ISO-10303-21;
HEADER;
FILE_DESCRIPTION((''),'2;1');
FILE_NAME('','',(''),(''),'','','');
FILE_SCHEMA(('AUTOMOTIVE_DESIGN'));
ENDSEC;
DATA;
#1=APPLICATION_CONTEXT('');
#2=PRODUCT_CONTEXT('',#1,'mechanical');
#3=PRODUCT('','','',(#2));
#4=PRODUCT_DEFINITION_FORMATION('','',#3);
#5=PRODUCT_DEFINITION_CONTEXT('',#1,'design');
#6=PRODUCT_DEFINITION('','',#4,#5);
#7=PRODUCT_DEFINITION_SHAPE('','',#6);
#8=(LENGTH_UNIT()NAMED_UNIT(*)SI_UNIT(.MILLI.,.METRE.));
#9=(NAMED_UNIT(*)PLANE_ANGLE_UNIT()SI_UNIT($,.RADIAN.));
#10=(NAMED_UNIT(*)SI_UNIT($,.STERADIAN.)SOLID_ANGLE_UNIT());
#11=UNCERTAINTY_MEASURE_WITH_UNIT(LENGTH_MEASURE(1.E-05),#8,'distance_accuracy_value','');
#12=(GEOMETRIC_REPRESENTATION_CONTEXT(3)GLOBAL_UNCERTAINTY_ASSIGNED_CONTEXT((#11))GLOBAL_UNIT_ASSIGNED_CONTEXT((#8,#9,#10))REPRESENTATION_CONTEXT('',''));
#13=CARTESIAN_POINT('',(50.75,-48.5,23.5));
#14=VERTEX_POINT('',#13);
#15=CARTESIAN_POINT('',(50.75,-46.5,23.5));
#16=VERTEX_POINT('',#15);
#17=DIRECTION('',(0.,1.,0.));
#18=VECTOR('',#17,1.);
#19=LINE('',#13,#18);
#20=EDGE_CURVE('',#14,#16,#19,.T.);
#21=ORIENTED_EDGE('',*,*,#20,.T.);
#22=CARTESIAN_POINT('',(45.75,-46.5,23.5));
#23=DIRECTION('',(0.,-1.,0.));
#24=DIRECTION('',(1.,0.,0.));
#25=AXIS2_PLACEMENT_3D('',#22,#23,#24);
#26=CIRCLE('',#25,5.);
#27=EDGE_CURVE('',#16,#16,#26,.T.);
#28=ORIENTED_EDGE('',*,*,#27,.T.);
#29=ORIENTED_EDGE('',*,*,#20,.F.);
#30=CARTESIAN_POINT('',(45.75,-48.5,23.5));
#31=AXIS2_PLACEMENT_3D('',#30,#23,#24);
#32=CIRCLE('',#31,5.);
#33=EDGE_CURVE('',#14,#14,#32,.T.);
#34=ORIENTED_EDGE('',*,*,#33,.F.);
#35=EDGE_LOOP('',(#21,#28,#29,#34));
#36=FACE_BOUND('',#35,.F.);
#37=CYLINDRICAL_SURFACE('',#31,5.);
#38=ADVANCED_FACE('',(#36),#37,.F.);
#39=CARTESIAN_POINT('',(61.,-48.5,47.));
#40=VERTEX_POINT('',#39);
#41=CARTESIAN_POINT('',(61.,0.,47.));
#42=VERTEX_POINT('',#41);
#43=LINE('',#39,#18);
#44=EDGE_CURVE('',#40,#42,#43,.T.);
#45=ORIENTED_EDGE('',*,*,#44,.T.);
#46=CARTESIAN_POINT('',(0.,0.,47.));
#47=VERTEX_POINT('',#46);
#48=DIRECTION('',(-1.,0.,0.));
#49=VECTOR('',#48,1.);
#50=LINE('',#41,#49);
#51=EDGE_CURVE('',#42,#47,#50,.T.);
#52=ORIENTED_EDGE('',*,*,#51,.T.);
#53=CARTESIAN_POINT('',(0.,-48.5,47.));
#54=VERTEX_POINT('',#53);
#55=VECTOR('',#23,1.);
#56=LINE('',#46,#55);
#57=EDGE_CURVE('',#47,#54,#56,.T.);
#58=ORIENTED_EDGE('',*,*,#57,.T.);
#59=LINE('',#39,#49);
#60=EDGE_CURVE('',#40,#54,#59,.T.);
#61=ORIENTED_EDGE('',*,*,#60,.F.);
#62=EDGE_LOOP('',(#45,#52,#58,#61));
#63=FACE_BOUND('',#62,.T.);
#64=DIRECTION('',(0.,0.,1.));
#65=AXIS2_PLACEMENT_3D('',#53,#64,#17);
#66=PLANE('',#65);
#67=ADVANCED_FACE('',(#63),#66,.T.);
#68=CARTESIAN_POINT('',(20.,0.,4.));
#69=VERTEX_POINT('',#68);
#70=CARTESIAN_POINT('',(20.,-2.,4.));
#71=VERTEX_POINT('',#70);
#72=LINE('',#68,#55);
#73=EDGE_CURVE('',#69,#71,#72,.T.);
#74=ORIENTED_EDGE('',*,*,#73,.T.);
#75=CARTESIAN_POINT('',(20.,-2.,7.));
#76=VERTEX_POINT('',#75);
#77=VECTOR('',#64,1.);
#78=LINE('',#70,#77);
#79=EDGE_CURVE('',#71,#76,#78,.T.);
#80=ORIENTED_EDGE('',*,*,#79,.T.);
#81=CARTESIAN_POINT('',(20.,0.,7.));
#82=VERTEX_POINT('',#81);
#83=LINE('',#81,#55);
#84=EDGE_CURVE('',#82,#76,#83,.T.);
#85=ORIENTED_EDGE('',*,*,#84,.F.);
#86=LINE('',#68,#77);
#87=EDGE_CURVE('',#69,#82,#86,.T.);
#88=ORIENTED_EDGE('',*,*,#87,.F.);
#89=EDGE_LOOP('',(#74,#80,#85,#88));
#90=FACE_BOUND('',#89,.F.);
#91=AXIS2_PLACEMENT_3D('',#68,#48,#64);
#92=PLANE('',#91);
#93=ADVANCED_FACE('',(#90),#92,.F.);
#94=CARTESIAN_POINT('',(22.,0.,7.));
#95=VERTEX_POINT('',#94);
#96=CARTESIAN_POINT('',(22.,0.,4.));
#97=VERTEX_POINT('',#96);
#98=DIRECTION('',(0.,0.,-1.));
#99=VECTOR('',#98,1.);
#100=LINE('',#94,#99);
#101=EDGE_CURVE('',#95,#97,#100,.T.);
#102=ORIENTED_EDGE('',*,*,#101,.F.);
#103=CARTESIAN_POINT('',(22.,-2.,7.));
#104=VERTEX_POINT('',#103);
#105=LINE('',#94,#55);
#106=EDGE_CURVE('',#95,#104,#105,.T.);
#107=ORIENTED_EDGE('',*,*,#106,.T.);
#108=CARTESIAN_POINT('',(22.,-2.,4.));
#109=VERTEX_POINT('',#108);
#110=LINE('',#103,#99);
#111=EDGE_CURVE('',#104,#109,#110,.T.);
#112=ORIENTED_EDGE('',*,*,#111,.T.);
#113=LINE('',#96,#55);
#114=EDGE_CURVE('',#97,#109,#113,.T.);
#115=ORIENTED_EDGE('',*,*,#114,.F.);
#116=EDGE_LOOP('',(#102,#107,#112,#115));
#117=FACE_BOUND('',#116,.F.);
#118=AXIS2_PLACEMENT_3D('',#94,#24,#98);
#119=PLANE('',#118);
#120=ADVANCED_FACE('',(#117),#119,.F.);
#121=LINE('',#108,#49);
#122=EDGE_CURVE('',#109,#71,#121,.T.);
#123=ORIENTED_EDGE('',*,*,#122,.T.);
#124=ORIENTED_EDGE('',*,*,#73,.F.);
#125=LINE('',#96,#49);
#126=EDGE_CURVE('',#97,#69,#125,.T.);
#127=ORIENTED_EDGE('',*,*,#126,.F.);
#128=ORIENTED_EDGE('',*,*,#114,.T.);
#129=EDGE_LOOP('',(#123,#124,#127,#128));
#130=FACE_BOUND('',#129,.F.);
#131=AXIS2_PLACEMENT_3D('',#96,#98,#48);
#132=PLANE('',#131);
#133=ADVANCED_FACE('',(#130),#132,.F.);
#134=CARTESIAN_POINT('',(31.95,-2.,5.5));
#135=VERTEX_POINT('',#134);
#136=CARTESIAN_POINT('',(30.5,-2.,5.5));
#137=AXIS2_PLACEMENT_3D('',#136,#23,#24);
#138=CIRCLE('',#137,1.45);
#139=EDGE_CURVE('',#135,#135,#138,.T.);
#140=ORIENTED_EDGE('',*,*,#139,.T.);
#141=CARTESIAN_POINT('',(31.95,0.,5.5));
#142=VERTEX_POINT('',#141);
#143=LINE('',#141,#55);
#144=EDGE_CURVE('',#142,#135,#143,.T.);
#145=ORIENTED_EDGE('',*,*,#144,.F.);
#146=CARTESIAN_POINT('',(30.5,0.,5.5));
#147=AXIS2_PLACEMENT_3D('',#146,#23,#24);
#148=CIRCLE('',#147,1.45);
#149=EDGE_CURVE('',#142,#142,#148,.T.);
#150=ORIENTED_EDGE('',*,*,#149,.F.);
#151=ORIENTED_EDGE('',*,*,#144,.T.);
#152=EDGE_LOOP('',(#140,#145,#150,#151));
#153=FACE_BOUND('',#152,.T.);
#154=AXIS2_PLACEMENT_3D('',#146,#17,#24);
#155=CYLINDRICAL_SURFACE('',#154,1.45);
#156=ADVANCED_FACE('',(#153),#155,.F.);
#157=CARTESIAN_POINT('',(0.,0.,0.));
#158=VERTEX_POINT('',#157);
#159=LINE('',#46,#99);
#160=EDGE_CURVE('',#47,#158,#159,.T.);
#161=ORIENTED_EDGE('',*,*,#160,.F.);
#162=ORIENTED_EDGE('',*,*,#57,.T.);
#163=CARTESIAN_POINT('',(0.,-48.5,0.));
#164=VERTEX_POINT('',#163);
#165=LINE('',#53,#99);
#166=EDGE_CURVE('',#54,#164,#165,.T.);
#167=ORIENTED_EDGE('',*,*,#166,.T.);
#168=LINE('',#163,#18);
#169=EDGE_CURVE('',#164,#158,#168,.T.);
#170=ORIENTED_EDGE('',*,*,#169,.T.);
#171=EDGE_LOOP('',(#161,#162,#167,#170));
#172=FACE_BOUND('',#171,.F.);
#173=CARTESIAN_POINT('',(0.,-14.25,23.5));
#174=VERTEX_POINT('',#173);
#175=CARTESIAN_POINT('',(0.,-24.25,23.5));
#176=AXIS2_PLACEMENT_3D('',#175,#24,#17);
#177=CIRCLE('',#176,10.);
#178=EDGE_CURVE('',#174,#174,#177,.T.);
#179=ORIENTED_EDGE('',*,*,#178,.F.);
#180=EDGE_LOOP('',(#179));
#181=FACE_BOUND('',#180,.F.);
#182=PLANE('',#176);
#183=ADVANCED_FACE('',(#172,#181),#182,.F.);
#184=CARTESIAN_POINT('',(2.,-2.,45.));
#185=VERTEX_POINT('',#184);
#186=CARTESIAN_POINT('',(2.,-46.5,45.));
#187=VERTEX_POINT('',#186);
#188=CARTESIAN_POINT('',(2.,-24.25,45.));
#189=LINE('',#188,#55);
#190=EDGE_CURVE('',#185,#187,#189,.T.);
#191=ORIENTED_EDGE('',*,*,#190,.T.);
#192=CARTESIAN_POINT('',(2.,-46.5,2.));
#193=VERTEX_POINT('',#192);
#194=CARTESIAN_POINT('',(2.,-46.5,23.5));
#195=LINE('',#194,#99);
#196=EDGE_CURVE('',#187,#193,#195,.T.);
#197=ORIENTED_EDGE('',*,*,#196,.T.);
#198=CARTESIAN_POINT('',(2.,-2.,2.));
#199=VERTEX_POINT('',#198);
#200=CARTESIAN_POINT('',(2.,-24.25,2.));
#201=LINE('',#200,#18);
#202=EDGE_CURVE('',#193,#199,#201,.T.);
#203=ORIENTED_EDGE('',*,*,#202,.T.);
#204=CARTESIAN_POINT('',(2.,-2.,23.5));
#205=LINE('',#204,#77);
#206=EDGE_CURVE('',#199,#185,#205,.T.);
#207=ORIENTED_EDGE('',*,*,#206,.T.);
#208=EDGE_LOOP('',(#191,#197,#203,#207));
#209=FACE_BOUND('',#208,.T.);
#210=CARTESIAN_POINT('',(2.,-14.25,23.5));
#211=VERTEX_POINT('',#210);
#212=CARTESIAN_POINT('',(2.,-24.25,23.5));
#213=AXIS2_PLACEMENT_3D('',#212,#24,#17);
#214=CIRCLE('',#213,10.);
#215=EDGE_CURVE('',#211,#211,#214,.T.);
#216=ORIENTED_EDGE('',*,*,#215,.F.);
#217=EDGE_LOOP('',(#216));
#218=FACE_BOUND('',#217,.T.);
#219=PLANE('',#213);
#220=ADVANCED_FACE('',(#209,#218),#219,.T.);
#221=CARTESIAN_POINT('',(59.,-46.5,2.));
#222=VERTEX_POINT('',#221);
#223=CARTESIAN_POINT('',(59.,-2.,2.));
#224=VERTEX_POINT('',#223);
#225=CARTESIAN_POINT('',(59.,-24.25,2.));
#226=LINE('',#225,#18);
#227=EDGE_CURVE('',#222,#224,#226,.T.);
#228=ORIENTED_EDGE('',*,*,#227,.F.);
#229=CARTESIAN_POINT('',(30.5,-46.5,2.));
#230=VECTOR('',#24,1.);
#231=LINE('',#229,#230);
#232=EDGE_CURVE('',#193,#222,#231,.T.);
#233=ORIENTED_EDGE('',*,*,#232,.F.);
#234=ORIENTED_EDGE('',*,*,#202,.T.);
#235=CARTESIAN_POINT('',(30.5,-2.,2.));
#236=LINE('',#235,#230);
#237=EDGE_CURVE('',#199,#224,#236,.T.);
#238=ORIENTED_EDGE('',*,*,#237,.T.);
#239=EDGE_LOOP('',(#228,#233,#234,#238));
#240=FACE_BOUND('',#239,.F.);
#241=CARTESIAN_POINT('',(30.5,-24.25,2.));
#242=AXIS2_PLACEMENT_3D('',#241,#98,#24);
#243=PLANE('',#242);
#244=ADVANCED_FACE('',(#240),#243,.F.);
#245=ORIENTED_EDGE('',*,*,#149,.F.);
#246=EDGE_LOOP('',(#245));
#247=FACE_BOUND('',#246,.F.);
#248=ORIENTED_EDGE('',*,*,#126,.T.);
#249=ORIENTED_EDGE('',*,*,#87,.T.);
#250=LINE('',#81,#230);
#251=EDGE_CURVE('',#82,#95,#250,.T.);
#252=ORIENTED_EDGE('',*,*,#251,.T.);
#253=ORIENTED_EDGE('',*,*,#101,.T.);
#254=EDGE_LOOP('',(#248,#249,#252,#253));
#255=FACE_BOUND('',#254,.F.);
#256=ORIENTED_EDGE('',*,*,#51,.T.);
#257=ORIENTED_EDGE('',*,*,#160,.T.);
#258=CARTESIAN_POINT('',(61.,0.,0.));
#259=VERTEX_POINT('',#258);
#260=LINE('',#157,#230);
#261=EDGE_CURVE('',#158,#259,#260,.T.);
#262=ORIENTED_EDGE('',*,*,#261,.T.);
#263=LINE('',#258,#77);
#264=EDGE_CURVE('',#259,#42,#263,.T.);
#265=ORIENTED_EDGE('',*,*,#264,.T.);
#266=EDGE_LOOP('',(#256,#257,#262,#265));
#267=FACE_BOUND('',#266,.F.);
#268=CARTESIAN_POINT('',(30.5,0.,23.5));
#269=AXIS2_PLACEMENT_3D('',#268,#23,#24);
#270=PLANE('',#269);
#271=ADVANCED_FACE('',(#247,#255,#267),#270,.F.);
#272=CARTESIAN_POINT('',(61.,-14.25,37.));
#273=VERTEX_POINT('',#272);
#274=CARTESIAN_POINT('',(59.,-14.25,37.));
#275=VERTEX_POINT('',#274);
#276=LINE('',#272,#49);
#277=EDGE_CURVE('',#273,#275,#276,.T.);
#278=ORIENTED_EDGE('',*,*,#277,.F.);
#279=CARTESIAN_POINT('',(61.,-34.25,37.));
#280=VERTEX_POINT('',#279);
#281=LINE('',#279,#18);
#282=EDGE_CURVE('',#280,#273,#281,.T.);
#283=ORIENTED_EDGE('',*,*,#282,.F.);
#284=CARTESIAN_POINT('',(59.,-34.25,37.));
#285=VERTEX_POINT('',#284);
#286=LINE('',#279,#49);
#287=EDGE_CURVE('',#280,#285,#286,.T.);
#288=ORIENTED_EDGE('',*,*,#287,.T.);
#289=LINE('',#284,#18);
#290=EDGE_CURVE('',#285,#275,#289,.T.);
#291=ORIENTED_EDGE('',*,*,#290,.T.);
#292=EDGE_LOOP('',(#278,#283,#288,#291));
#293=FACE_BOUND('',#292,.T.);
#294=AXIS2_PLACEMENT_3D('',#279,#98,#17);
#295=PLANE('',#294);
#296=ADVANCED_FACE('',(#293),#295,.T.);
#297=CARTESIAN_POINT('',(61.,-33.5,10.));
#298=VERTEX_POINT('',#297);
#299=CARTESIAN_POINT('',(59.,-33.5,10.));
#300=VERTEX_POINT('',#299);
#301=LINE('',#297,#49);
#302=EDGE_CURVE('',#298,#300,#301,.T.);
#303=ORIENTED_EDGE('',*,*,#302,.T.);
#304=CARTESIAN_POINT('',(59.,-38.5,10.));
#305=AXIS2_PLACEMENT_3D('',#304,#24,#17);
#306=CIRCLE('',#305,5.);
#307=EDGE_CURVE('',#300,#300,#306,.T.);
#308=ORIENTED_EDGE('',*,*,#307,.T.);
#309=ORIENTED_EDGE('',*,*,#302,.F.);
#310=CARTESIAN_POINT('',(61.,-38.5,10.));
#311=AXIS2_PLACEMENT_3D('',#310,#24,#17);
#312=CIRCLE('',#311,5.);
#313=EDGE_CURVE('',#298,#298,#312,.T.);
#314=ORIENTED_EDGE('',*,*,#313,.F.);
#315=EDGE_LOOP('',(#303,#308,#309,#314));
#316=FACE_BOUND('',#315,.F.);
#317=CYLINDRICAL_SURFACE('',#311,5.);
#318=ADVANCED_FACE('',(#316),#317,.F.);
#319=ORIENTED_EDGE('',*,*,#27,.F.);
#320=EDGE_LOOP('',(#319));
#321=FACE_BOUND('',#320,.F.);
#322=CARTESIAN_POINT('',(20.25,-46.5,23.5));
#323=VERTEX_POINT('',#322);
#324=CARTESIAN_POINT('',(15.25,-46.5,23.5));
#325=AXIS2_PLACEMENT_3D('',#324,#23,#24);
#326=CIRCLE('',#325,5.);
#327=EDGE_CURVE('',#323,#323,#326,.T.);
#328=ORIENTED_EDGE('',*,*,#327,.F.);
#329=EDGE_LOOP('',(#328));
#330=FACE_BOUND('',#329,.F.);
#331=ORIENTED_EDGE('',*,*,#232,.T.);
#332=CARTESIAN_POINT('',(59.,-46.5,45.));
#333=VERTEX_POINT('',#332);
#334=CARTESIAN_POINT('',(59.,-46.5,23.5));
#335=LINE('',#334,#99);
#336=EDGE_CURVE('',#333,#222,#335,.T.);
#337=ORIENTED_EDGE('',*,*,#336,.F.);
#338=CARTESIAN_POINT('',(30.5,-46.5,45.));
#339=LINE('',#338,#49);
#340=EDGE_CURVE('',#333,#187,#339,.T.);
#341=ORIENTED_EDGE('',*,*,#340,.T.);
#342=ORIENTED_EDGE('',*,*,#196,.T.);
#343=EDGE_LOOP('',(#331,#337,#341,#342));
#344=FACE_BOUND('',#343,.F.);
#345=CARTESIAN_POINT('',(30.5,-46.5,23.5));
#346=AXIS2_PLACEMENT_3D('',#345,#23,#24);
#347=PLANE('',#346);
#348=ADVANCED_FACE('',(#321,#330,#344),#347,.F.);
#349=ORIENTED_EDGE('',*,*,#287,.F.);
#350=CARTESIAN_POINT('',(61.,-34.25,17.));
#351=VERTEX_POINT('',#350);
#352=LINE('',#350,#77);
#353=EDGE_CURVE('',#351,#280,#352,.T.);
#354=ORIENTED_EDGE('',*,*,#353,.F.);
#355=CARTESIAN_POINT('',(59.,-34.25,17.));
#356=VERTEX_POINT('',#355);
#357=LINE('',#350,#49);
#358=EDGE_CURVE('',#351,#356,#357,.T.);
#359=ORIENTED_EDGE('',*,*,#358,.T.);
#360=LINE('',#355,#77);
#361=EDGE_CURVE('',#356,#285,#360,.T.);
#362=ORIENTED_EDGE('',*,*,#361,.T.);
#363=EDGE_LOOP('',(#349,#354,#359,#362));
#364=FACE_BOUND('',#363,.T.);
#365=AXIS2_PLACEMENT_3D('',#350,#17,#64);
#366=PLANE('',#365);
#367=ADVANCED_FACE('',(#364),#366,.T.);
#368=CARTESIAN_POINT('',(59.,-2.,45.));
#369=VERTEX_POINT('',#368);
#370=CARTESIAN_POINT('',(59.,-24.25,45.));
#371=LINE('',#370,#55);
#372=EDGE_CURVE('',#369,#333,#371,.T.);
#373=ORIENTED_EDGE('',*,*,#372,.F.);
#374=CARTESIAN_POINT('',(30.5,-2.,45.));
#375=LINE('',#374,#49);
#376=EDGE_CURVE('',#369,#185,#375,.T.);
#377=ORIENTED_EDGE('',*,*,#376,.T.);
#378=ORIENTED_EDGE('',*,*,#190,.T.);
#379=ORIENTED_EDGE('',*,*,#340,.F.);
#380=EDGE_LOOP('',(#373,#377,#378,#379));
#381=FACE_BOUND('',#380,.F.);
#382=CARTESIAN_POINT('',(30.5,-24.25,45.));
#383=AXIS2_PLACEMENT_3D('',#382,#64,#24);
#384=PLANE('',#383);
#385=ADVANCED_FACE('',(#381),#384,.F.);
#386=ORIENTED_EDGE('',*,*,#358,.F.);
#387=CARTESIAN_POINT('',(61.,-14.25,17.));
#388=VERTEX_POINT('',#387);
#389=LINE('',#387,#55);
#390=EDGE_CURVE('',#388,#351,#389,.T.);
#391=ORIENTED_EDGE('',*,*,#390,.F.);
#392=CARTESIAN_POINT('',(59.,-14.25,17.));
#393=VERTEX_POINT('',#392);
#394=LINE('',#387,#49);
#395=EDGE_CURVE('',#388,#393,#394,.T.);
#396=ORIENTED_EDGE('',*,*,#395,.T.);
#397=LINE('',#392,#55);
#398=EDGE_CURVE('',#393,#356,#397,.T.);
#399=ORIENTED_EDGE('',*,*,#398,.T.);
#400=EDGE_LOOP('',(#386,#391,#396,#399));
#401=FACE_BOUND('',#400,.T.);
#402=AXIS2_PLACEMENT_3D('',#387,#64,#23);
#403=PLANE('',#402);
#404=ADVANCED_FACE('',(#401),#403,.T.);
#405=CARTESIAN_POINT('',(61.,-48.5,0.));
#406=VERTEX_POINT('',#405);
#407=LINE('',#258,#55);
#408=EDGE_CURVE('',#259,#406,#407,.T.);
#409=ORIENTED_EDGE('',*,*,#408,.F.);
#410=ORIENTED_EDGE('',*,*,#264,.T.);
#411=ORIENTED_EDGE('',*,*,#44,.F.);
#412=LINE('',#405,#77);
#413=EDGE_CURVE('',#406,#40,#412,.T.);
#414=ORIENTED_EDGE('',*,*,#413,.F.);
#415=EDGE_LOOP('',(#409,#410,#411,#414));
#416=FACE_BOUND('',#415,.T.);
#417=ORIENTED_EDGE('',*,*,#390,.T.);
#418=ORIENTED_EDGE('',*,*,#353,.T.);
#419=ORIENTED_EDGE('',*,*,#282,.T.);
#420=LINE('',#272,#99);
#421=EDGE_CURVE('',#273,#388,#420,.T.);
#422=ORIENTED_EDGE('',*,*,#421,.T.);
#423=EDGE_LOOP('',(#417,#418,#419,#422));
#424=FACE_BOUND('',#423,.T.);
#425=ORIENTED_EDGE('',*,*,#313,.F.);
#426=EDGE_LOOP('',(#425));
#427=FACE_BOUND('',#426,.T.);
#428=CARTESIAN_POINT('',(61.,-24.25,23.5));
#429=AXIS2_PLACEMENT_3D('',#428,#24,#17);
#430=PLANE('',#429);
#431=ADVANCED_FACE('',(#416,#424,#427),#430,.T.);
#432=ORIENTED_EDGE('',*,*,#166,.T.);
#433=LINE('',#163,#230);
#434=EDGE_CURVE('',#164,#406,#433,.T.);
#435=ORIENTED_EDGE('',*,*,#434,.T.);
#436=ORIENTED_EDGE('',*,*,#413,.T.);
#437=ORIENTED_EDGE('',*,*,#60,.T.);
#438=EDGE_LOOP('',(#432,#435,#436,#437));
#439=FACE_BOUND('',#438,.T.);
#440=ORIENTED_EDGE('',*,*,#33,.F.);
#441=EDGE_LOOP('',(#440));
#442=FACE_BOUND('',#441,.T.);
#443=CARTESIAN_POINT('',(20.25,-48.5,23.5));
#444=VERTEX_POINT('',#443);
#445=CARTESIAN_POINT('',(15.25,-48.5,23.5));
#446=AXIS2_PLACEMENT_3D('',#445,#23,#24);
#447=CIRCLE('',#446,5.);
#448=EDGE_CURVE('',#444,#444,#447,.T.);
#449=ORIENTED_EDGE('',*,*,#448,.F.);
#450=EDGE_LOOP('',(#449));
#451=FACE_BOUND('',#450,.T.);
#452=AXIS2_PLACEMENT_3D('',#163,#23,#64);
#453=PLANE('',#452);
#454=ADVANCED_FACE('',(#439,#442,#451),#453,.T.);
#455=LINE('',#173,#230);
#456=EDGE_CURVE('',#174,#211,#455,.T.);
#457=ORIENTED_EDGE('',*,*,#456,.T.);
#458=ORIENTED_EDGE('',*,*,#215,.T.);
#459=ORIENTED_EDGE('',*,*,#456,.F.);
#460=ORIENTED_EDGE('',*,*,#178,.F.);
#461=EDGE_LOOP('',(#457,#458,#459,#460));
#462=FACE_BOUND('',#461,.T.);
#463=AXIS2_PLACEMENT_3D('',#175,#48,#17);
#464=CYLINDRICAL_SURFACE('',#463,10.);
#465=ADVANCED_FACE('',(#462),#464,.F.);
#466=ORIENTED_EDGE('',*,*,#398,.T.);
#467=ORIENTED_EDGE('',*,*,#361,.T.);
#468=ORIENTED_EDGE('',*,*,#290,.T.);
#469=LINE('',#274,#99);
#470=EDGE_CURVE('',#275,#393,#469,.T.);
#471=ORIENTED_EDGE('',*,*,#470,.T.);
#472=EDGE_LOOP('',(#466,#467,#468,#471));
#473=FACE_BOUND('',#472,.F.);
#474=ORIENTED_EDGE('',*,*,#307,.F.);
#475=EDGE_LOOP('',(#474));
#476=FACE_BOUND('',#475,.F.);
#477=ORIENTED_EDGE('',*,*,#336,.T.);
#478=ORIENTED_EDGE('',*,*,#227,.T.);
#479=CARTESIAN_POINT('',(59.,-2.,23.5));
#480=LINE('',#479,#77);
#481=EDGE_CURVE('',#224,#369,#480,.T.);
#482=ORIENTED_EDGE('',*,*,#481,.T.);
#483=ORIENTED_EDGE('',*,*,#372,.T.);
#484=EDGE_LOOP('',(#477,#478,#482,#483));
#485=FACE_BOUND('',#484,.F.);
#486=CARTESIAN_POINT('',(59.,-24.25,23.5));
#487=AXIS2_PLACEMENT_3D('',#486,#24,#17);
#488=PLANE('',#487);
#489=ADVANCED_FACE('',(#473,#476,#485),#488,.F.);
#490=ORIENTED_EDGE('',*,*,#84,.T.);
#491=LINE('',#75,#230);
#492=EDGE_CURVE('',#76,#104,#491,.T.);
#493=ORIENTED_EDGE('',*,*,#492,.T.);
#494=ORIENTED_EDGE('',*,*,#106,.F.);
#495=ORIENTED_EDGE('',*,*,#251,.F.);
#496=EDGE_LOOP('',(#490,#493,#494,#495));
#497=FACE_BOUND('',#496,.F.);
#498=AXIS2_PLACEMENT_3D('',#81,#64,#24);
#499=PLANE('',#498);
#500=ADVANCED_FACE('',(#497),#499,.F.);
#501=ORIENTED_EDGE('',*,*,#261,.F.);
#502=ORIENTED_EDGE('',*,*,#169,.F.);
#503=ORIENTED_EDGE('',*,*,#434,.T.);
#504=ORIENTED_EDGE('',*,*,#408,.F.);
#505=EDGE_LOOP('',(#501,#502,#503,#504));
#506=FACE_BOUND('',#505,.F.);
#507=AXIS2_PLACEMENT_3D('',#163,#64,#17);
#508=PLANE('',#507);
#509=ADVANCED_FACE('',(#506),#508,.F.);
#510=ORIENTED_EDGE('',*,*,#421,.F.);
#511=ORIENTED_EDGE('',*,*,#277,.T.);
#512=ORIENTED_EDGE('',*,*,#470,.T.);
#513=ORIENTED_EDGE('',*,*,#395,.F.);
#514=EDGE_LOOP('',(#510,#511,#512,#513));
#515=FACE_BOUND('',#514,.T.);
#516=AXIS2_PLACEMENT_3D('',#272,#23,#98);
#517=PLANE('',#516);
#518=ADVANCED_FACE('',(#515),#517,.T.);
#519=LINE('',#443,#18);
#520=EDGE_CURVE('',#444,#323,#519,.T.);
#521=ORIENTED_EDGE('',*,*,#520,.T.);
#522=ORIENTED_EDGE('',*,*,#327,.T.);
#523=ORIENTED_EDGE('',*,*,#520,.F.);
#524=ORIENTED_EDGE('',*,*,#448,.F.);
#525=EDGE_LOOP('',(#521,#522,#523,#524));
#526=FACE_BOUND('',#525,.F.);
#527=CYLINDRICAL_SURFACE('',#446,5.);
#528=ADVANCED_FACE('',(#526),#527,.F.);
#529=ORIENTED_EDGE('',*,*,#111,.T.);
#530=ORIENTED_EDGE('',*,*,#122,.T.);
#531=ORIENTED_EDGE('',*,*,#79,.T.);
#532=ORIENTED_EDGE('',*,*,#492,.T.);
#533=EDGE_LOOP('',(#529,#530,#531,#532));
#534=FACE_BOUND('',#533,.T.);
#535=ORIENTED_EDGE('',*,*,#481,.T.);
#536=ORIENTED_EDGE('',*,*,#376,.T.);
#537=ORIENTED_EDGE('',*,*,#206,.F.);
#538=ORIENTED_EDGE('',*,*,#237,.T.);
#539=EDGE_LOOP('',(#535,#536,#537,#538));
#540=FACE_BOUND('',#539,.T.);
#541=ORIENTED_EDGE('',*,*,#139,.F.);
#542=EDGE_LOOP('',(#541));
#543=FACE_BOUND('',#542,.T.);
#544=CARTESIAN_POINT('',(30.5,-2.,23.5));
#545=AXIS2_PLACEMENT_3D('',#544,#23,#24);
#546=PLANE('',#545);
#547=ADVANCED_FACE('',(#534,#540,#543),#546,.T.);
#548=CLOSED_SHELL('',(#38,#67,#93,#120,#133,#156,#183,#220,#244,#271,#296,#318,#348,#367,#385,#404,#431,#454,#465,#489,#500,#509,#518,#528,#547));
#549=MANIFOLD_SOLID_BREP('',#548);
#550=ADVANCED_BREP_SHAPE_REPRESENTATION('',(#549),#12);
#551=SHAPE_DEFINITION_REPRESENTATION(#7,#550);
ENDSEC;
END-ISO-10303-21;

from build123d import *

# Parameters (mm, degrees)
F0_W      = 61
F0_H      = 47
F0_R      = 1.45
F1_DEPTH  = 2
F3_W      = 48.5
F3_H      = 47
F3_R      = 5
F4_DEPTH  = 2
F5_W      = 48.5
F5_H      = 47
F5_R      = 10
F6_DEPTH  = 2
F8_W      = 61
F8_H      = 47
F8_R      = 5
F9_DEPTH  = 2
F11_W     = 61
F11_H     = 48.5
F12_DEPTH = 2
F14_W     = 61
F14_H     = 48.5
F15_DEPTH = 2


with BuildPart() as f1:
    # F0 (on Front) → F1 (new body)
    with BuildSketch(Plane.XZ):
        with Locations((30.5, 23.5)):
            Rectangle(F0_W, F0_H)
        Polygon((20, 5.5), (20, 7), (22, 7), (22, 5.5), (22, 4), (20, 4), align=None, mode=Mode.SUBTRACT)
        with Locations((30.5, 5.5)):
            Circle(F0_R, mode=Mode.SUBTRACT)
    extrude(amount=F1_DEPTH)

    # F3 (on offset) → F4 (join)
    with BuildSketch(Plane.YZ.offset(61)):
        with Locations((-24.25, 23.5)):
            Rectangle(F3_W, F3_H)
        with Locations((-38.5, 10)):
            Circle(F3_R, mode=Mode.SUBTRACT)
        Polygon((-34.25, 37), (-24.25, 37), (-14.25, 37), (-14.25, 17), (-34.25, 17), align=None, mode=Mode.SUBTRACT)
    extrude(amount=-F4_DEPTH)

    # F5 (on Right) → F6 (join)
    with BuildSketch(Plane.YZ):
        with Locations((-24.25, 23.5)):
            Rectangle(F5_W, F5_H)
        with Locations((-24.25, 23.5)):
            Circle(F5_R, mode=Mode.SUBTRACT)
    extrude(amount=F6_DEPTH)

    # F8 (on offset) → F9 (join)
    with BuildSketch(Plane.XZ.offset(48.5)):
        with Locations((30.5, 23.5)):
            Rectangle(F8_W, F8_H)
        with Locations((15.25, 23.5)):
            Circle(F8_R, mode=Mode.SUBTRACT)
        with Locations((45.75, 23.5)):
            Circle(F8_R, mode=Mode.SUBTRACT)
    extrude(amount=-F9_DEPTH)

    # F11 (on offset) → F12 (join)
    with BuildSketch(Plane.XY.offset(47)):
        with Locations((30.5, -24.25)):
            Rectangle(F11_W, F11_H)
    extrude(amount=-F12_DEPTH)

    # F14 (on offset) → F15 (join)
    with BuildSketch(Plane(origin=(0, 0, 0), x_dir=(1, 0, 0), z_dir=(0, 0, -1))):
        with Locations((30.5, 24.25)):
            Rectangle(F14_W, F14_H)
    extrude(amount=-F15_DEPTH)


solid = f1.part
